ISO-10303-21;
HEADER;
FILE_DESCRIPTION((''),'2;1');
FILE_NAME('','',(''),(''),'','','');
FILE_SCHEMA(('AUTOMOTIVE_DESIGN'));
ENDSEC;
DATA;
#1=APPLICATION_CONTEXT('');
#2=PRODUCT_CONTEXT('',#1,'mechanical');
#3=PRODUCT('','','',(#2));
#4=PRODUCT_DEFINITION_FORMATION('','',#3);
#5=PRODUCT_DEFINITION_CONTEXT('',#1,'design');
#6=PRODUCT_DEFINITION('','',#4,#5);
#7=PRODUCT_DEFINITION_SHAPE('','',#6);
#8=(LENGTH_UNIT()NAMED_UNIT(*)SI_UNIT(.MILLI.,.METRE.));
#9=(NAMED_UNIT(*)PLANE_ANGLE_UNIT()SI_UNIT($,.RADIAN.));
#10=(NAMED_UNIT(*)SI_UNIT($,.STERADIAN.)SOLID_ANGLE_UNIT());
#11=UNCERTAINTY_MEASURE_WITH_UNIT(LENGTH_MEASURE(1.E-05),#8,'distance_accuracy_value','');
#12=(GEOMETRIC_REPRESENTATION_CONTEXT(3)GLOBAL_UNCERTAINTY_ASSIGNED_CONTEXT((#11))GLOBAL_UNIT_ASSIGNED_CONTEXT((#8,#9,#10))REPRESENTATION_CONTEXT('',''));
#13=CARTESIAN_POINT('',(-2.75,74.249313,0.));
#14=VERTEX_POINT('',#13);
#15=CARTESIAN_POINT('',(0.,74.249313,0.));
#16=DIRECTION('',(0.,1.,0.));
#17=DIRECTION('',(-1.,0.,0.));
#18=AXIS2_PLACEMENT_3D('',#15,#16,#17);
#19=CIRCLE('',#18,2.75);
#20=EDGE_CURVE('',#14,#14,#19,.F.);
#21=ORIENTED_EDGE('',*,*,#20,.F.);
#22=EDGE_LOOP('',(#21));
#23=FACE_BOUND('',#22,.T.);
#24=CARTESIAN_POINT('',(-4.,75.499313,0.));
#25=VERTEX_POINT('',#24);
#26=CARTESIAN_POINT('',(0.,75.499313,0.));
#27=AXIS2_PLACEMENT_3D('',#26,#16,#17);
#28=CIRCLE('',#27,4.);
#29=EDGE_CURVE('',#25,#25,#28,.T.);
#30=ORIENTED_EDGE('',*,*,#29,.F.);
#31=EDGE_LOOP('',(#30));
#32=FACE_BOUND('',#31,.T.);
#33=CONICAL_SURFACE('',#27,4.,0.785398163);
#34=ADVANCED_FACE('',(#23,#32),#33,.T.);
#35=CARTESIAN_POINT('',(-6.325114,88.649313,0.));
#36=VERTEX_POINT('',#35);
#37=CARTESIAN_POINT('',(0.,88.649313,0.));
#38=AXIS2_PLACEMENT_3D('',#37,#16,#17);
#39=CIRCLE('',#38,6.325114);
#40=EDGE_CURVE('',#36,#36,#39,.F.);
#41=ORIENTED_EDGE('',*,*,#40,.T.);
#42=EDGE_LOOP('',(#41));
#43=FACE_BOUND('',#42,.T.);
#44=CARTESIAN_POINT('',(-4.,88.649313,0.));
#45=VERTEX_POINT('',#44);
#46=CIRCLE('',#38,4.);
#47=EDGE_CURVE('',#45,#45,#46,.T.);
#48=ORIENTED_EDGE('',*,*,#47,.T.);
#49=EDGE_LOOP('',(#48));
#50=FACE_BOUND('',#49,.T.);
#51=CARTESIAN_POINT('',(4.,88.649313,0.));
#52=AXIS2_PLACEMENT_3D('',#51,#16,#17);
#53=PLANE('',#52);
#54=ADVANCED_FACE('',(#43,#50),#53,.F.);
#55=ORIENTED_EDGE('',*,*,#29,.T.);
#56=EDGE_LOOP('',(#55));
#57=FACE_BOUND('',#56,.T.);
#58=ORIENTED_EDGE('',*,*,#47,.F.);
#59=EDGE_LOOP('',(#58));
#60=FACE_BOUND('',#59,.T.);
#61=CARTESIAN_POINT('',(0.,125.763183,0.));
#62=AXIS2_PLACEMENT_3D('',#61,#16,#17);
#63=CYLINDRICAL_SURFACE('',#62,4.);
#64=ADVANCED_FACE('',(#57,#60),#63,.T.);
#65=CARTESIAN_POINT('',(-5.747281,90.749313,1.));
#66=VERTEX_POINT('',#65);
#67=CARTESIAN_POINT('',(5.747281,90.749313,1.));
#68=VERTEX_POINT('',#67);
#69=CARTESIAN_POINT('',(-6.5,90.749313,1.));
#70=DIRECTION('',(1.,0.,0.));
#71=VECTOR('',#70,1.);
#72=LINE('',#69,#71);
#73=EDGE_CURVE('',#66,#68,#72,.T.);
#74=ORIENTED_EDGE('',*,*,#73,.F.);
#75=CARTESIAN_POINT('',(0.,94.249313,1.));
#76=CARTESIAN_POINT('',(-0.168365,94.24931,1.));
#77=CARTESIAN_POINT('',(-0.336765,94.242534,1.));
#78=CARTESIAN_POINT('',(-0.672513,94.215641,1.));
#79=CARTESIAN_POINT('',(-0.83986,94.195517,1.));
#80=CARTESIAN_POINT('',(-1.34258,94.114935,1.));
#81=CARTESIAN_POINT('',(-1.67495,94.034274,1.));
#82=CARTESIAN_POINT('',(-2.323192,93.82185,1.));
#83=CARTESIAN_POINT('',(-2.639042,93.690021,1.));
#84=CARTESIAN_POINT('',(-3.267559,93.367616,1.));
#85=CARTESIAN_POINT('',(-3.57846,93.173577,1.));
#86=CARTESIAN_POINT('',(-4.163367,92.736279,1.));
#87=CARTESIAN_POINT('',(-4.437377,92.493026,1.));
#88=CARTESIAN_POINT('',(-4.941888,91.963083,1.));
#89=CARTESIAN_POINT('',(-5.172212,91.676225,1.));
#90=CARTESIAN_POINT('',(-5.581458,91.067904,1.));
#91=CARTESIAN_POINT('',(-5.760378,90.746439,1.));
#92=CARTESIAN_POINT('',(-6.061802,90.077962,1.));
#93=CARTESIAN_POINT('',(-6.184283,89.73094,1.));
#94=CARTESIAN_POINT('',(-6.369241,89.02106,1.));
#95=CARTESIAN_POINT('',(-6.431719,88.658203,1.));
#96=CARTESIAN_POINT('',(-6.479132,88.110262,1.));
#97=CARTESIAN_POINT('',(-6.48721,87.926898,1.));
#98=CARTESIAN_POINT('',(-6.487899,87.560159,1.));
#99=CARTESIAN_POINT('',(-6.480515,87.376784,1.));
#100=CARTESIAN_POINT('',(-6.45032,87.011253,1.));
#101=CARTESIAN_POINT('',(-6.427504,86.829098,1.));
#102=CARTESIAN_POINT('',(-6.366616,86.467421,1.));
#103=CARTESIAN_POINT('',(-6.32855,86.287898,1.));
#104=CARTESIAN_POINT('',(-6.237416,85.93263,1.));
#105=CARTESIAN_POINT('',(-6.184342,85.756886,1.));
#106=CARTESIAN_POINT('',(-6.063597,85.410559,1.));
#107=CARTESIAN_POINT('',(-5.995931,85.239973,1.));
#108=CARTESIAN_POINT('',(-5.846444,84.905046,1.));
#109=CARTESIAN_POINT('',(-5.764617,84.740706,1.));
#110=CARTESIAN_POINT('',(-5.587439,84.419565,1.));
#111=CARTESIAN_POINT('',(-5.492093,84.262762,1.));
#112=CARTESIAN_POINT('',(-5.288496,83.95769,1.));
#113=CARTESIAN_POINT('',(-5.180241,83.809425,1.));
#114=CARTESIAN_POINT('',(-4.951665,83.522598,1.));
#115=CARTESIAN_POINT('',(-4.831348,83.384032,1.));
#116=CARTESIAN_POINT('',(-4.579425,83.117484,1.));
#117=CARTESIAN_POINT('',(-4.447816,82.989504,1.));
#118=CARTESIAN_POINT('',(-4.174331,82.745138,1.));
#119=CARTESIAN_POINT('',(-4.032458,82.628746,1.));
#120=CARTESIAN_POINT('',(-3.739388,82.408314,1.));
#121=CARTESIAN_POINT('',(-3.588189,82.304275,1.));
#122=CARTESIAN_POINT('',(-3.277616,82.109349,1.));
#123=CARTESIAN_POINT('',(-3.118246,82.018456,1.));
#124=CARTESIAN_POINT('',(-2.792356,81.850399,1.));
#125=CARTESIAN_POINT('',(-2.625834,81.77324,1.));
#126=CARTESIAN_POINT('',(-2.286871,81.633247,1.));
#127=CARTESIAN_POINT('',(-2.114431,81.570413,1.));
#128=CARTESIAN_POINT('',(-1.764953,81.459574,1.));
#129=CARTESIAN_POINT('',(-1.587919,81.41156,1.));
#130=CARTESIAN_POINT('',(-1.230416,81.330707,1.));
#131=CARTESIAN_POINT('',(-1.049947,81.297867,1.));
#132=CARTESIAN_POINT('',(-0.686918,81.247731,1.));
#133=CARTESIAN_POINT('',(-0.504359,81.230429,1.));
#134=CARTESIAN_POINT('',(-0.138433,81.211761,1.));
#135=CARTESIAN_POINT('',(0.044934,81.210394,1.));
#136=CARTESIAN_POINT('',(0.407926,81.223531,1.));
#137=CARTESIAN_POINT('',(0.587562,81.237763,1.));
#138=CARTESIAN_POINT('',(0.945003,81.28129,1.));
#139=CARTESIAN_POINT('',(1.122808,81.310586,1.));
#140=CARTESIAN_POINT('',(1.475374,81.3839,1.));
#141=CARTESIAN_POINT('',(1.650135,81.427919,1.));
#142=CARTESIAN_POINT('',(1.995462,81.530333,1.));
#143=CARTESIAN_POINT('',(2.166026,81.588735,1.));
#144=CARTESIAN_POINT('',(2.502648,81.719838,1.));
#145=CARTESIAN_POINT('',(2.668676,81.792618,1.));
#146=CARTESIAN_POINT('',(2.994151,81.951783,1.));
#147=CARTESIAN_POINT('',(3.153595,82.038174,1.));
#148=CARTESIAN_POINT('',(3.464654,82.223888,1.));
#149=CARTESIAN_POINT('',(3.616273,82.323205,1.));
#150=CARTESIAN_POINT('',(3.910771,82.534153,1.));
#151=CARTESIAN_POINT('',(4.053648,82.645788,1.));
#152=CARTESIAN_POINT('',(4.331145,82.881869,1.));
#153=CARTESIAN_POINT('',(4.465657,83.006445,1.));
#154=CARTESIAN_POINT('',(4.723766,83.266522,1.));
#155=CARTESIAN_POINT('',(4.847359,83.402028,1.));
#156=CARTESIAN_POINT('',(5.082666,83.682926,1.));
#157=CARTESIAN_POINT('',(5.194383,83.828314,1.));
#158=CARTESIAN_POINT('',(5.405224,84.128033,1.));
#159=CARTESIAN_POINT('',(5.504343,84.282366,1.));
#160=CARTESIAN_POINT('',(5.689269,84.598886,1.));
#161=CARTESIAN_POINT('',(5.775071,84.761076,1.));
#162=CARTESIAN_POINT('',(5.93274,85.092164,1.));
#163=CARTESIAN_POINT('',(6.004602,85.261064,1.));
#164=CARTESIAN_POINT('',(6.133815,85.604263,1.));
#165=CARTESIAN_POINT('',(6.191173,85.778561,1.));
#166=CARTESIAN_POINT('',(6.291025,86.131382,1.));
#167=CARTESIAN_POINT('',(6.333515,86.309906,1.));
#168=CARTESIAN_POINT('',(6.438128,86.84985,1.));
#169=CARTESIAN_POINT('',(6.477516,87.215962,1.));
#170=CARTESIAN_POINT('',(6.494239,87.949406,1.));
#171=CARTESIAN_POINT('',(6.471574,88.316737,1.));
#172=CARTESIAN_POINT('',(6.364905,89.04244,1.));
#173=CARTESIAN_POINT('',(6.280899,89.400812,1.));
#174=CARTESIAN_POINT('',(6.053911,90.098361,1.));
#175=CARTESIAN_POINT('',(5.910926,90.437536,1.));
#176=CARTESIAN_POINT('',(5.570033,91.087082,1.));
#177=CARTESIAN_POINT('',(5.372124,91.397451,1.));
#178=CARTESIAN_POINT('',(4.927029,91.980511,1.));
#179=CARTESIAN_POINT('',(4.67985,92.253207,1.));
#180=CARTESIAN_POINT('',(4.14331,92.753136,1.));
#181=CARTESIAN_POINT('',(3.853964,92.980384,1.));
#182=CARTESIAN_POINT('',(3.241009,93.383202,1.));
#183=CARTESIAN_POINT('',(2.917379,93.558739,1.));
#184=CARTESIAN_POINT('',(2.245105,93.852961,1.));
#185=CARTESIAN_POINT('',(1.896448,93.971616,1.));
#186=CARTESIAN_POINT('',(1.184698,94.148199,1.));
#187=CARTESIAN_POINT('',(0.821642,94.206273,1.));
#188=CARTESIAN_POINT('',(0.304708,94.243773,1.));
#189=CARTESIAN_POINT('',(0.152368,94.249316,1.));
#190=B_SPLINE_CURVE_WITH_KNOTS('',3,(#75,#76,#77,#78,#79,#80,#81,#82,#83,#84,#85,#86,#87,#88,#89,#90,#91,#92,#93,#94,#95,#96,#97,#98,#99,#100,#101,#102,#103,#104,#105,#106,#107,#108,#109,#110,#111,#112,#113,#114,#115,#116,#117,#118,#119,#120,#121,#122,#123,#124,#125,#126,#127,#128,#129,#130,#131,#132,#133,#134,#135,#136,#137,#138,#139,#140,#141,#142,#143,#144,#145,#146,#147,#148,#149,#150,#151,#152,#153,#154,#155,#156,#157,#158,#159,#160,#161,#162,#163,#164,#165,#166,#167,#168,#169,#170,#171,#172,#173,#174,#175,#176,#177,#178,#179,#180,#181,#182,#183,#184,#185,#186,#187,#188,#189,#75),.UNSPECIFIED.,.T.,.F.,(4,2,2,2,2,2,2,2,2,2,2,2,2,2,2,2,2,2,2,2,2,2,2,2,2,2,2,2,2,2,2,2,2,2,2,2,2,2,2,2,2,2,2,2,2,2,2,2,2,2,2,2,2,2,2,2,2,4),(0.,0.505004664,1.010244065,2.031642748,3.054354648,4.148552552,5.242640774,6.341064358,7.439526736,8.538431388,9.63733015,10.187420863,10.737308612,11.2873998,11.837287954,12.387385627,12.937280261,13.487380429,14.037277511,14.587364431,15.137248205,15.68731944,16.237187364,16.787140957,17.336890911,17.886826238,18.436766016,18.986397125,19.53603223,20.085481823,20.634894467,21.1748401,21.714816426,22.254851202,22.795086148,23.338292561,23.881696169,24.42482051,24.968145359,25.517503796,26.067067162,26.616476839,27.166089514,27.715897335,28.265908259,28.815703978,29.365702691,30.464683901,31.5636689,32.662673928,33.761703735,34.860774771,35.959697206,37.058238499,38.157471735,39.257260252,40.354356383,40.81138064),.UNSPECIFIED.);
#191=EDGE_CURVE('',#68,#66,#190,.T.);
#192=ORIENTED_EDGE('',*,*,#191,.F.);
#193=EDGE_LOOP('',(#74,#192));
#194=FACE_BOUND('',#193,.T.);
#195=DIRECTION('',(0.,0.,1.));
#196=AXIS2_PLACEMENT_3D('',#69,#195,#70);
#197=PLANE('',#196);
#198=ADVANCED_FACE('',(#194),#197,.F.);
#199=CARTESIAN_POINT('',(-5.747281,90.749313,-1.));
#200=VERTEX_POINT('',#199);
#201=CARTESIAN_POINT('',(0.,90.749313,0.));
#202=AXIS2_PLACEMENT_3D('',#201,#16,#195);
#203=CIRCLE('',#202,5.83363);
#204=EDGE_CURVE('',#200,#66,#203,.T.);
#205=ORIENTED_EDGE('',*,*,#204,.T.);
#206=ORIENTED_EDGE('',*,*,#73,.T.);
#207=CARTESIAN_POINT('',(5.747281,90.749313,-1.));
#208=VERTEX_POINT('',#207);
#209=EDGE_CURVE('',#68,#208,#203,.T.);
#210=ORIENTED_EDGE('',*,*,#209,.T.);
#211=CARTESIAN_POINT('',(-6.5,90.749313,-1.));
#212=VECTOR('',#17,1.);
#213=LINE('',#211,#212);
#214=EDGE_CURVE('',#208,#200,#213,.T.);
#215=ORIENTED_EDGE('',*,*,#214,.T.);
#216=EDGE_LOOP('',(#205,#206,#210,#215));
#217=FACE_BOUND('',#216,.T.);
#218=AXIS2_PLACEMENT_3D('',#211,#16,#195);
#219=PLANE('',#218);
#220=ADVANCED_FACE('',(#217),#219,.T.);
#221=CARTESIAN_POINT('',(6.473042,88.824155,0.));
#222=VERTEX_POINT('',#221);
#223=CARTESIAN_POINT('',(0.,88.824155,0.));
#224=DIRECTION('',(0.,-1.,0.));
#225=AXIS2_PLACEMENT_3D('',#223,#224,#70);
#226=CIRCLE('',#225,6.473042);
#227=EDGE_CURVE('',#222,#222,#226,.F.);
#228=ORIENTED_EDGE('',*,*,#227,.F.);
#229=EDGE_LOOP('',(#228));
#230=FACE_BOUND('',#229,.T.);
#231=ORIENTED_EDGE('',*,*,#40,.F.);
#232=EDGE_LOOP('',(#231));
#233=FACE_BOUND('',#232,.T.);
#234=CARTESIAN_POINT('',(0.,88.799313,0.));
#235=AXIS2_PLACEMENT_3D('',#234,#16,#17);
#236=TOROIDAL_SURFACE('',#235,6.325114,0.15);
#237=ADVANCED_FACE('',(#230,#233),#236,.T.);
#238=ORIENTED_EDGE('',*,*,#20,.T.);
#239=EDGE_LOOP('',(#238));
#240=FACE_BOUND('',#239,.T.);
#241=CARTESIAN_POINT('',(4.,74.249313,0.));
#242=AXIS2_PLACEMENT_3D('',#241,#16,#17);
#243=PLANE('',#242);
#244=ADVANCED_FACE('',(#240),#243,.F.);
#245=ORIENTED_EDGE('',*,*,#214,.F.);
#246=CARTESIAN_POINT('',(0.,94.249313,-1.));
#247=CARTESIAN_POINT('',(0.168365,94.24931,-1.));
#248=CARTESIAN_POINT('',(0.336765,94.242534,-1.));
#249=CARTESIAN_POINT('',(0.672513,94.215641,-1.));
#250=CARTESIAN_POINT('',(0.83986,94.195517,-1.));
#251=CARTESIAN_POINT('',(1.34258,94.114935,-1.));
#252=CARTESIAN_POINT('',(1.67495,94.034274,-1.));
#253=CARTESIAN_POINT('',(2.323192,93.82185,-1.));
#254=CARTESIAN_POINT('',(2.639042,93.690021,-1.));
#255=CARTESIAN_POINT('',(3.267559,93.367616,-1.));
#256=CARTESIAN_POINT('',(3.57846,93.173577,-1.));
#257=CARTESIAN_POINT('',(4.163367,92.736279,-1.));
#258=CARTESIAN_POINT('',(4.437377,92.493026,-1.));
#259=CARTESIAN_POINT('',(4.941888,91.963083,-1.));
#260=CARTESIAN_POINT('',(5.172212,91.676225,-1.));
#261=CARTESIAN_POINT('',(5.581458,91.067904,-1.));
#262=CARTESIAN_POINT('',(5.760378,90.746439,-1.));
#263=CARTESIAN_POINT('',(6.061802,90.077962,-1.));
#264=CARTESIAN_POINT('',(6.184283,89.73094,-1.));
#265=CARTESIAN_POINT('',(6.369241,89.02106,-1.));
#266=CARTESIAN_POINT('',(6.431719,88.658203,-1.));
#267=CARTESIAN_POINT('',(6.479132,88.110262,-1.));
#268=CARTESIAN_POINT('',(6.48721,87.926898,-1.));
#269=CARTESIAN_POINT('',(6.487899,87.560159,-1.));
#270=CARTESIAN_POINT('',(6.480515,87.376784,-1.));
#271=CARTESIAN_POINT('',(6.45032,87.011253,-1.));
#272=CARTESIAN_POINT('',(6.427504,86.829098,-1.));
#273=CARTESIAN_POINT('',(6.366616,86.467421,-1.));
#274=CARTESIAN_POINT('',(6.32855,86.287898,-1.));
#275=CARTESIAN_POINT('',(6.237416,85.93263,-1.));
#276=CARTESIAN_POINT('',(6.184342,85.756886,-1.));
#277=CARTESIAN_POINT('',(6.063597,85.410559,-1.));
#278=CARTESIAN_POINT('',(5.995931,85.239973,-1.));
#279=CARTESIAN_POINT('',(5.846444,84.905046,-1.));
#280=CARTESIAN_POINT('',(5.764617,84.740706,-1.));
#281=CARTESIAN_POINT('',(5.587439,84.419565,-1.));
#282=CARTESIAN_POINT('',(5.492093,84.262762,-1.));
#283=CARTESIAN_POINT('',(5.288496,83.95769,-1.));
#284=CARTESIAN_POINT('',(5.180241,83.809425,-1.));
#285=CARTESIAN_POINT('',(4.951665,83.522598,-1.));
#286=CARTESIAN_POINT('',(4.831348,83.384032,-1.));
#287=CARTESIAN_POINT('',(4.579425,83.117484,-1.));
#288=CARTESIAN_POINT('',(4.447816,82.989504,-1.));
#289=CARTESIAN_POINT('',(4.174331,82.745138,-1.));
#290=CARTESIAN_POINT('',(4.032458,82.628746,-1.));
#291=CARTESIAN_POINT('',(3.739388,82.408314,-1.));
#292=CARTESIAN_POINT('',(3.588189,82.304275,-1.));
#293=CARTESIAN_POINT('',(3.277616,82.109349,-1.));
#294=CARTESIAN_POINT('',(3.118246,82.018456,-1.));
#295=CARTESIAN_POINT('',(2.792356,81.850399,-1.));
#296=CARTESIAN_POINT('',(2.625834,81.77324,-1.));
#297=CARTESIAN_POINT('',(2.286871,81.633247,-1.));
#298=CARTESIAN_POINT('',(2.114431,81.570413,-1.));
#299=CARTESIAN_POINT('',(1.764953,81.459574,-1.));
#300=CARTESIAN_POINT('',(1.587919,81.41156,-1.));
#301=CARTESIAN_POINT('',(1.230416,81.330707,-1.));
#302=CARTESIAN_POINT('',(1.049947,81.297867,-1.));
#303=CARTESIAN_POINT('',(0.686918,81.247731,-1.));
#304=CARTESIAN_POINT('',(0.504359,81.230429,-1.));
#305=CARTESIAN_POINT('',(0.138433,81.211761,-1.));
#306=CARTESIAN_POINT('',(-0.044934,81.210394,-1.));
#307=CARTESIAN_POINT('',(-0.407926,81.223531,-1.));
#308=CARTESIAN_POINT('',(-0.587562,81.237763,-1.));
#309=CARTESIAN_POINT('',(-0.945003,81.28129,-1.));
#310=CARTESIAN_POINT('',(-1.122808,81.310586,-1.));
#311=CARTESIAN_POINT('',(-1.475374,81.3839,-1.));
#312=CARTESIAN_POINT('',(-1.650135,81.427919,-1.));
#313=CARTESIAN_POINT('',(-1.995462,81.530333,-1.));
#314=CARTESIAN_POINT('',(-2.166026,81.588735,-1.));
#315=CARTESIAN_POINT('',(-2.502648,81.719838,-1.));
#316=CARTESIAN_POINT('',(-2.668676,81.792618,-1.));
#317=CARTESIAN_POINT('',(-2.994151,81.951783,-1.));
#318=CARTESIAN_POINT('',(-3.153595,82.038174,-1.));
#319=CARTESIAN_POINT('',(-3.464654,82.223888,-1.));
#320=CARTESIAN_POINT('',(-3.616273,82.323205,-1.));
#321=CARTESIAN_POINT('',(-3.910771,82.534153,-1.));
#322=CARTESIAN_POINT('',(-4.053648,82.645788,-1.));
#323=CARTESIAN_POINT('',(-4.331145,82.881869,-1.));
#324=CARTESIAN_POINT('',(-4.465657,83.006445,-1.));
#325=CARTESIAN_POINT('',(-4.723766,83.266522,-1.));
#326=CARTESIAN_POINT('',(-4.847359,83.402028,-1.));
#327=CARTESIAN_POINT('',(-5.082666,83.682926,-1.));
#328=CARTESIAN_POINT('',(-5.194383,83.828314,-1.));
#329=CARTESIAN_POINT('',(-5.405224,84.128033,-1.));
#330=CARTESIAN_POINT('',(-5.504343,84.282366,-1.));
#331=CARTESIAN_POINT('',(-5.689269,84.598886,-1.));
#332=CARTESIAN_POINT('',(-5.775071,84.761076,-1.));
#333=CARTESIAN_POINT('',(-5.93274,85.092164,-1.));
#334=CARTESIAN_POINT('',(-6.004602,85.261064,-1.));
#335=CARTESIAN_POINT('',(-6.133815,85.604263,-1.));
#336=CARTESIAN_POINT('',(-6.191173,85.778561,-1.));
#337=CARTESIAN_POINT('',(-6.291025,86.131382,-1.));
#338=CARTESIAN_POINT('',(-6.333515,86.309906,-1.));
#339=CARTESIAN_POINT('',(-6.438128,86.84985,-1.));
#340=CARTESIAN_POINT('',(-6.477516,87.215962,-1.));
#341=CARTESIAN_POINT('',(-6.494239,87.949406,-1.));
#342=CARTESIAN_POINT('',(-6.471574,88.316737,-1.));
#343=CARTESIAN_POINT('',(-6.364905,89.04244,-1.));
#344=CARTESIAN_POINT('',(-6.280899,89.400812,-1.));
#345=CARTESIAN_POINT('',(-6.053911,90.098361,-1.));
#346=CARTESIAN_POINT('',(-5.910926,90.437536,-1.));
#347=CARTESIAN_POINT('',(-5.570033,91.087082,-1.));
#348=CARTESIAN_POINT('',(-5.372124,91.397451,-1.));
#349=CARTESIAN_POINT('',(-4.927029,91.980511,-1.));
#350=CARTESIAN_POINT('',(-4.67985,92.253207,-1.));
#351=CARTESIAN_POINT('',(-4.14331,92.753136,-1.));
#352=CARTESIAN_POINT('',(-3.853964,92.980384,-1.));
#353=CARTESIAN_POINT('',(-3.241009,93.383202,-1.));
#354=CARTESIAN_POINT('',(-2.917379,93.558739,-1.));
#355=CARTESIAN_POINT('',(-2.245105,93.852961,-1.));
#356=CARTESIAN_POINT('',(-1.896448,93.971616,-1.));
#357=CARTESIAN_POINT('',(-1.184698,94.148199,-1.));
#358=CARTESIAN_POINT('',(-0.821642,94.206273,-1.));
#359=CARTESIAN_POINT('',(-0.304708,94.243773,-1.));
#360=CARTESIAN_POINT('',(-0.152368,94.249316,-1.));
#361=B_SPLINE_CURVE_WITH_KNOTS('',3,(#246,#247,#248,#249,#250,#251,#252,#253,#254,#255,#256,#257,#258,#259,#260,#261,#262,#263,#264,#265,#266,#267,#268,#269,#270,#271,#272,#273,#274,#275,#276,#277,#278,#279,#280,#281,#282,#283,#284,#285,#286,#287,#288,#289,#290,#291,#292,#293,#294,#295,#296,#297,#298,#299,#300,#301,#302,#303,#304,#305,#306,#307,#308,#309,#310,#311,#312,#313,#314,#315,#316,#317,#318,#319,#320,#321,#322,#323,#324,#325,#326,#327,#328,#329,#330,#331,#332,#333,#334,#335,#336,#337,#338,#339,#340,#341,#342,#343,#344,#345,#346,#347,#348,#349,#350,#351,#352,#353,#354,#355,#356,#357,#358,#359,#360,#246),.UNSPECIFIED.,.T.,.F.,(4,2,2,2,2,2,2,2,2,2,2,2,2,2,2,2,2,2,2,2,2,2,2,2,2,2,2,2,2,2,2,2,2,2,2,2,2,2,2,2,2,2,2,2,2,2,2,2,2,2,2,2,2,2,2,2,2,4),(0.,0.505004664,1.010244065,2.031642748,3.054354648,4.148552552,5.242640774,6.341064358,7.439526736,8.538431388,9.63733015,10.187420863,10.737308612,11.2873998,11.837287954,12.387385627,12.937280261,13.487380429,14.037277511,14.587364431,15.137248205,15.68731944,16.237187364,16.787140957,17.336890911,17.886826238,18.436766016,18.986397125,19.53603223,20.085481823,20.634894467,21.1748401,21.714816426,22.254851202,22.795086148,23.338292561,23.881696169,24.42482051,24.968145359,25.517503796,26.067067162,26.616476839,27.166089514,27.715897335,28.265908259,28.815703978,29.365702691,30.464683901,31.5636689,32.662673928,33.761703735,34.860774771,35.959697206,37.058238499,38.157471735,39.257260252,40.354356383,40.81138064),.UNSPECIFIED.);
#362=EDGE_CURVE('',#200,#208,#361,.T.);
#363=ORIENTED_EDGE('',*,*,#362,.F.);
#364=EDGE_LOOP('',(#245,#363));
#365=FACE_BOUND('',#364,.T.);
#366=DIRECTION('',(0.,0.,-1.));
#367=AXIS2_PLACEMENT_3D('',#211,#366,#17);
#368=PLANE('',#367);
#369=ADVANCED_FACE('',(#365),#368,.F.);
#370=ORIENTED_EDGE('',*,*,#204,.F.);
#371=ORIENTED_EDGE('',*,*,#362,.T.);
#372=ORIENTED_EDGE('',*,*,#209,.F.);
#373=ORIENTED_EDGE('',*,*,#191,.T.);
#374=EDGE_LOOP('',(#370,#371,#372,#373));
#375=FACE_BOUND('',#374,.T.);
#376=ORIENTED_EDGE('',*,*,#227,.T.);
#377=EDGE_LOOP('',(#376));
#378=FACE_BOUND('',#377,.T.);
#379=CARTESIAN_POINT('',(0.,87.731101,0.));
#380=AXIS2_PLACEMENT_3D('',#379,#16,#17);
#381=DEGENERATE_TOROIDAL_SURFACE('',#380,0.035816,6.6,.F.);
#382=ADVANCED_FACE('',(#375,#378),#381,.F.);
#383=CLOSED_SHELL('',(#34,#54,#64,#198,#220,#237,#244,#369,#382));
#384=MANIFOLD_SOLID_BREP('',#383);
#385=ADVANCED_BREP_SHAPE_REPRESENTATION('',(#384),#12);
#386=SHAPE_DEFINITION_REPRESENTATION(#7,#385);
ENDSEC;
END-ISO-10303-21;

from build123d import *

# Parameters (mm, degrees)
SKETCH_13_W         = 13
SKETCH_13_H         = 2
CUT_EXTRUDE_9_DEPTH = 3.5
FILLET_1_R          = 0.15
CHAMFER_1_SIZE      = 1.25


with BuildPart() as part:
    # Эскиз1 → Повернуть1 (revolve)
    with BuildSketch(Plane.XY):
        with BuildLine():
            Line((4, 88.64931314), (6.5, 88.64931314))
            ThreePointArc((6.5, 88.64931314), (4.672942151, 92.355774181), (1, 94.24931314))
            Line((1, 94.24931314), (0, 94.24931314))
            Line((0, 94.24931314), (0, 74.24931314))
            Line((0, 74.24931314), (4, 74.24931314))
            Line((4, 74.24931314), (4, 88.64931314))
        make_face()
    revolve(axis=Axis((0, 125.763182898, 0), (0, -1, 0)))

    # Эскиз13 → Вырез-Вытянуть9 (cut)
    with BuildSketch(Plane(origin=(0, 94.24931314, 0), x_dir=(-1, 0, 0), z_dir=(0, 1, 0))):
        Rectangle(SKETCH_13_W, SKETCH_13_H)
    extrude(amount=-CUT_EXTRUDE_9_DEPTH, mode=Mode.SUBTRACT)

    # Скругление1
    fillet_1_edges = [part.edges().sort_by_distance(p)[0] for p in [
        (-6.5, 88.64931314, 0),
    ]]
    fillet(fillet_1_edges, radius=FILLET_1_R)

    # Фаска1
    chamfer_1_edges = [part.edges().sort_by_distance(p)[0] for p in [
        (-4, 74.24931314, 0),
    ]]
    chamfer(chamfer_1_edges, length=CHAMFER_1_SIZE)


solid = part.part
